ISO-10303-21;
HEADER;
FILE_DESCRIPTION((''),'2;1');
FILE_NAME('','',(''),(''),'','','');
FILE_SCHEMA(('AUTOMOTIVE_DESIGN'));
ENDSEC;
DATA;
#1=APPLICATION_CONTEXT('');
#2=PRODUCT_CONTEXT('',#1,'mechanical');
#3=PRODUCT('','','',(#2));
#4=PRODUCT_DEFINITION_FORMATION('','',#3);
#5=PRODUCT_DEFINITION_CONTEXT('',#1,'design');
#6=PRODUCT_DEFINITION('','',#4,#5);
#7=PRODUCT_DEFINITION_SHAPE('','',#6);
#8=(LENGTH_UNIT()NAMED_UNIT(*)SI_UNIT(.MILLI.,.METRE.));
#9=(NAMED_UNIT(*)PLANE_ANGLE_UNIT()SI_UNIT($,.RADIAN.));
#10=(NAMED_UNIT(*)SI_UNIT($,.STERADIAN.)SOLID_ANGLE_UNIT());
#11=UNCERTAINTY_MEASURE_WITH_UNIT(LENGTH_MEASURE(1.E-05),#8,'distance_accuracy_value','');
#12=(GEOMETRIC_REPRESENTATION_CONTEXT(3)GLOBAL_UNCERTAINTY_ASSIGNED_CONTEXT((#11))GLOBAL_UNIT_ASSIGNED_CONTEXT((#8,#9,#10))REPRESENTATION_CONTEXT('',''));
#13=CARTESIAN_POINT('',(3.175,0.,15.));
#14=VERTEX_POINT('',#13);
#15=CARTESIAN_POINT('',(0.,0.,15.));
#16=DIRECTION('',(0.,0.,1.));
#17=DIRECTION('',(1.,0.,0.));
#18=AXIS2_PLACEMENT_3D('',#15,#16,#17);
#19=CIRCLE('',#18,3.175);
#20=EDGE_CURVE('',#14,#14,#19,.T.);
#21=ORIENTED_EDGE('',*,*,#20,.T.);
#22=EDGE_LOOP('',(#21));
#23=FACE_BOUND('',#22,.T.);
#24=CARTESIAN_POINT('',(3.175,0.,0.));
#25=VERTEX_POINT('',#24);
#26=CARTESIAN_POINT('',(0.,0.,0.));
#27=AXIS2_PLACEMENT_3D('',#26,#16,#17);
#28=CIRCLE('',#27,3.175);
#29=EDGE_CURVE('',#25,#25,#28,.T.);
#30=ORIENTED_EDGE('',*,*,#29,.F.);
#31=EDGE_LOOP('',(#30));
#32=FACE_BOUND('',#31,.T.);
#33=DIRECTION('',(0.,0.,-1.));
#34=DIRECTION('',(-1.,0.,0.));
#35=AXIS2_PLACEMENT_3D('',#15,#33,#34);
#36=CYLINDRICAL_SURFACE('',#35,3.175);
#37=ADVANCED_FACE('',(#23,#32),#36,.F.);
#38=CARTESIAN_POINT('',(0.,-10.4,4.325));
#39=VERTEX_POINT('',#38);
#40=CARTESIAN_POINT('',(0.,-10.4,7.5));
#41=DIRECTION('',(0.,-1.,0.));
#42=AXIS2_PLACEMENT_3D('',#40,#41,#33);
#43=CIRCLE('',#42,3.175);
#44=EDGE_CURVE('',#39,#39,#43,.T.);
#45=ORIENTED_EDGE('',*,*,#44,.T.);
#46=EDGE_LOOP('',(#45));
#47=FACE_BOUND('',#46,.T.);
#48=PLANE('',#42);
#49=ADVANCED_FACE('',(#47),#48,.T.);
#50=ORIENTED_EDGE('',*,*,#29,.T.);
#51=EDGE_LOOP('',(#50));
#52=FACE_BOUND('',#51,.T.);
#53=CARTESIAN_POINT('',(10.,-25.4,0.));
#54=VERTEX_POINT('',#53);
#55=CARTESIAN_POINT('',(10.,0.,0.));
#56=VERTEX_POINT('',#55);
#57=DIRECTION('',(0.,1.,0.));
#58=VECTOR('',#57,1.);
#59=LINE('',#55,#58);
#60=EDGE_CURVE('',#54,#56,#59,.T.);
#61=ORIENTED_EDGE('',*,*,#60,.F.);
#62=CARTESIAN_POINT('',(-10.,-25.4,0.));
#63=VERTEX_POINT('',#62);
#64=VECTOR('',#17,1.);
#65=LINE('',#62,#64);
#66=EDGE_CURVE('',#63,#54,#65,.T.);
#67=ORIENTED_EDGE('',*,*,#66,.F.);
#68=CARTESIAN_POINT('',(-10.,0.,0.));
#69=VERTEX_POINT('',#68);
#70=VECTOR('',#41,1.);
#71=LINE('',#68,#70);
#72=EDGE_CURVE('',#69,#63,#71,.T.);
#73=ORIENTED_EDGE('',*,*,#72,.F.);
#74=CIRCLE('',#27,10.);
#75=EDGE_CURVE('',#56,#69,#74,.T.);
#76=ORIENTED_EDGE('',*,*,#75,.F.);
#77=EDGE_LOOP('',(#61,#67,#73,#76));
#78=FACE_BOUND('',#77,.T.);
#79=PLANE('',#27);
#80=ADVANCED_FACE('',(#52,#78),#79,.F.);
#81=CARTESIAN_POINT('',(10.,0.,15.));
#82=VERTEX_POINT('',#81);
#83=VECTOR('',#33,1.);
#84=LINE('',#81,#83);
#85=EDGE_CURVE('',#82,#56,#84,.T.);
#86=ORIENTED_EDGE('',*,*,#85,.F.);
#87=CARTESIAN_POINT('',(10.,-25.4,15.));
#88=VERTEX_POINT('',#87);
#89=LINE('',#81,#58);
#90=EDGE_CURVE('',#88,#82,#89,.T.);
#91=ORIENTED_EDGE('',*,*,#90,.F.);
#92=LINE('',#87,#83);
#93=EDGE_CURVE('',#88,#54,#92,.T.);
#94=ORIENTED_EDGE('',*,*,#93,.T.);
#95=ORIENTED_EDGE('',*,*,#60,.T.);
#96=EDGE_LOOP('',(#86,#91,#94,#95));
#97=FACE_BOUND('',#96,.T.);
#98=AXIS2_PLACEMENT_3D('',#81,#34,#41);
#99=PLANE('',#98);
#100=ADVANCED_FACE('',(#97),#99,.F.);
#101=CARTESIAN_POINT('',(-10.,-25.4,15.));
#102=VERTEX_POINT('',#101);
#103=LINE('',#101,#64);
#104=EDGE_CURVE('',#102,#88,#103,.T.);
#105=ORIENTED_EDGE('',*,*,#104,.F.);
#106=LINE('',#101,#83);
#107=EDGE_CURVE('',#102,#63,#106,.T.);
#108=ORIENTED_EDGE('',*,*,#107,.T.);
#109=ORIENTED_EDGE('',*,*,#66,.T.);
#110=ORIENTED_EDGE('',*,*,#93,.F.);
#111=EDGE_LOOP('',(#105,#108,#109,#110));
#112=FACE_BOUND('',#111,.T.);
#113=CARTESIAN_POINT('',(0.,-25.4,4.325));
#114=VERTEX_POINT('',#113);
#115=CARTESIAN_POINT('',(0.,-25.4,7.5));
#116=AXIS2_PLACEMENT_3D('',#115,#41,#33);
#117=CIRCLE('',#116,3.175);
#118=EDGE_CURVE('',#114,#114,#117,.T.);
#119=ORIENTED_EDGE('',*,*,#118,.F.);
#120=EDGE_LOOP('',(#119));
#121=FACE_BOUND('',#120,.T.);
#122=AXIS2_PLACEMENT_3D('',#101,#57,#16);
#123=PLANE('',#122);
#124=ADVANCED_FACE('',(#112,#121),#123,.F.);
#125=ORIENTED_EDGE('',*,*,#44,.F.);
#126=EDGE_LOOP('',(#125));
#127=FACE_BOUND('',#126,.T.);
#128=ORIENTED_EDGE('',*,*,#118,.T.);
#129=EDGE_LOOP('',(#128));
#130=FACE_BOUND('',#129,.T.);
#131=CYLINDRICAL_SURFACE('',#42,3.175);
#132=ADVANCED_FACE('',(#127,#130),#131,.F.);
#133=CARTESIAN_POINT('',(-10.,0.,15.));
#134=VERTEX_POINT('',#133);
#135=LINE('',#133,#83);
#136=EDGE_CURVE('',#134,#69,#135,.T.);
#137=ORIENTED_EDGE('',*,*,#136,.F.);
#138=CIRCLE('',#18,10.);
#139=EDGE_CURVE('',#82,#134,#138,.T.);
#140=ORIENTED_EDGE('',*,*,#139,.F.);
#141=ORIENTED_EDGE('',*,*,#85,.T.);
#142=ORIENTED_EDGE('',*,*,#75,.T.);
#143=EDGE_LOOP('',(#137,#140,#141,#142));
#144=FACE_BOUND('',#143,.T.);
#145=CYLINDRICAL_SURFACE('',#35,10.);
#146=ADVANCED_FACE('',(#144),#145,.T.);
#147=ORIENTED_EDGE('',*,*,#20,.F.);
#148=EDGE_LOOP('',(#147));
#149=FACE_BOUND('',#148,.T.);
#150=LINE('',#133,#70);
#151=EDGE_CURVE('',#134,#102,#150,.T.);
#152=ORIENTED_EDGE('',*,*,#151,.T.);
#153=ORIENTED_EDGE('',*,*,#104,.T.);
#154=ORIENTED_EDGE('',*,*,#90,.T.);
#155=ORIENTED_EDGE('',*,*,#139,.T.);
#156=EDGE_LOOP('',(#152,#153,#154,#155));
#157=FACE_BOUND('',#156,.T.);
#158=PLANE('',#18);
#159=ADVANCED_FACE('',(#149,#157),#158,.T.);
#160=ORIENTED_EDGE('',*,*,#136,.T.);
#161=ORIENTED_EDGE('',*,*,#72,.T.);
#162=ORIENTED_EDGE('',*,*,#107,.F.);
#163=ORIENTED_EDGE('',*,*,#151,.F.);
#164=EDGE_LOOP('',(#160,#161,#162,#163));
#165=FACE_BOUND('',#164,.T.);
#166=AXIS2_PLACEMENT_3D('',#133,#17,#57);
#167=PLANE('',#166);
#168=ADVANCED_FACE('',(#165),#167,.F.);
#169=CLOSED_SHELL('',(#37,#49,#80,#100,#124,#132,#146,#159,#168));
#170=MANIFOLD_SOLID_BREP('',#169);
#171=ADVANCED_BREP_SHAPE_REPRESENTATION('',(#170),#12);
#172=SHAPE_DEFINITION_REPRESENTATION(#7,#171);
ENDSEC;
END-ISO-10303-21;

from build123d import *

# Parameters (mm, degrees)
SKETCH1_R           = 3.175
BOSS_EXTRUDE1_DEPTH = 15
SKETCH2_R           = 3.175
CUT_EXTRUDE1_DEPTH  = 15


with BuildPart() as part:
    # Sketch1 → Boss-Extrude1 (new body)
    with BuildSketch(Plane.XY):
        with BuildLine():
            Line((-10, 0), (-10, -25.4))
            Line((-10, -25.4), (10, -25.4))
            Line((10, -25.4), (10, 0))
            ThreePointArc((10, 0), (0, 10), (-10, 0))
        make_face()
        Circle(SKETCH1_R, mode=Mode.SUBTRACT)
    extrude(amount=BOSS_EXTRUDE1_DEPTH)

    # Sketch2 → Cut-Extrude1 (cut)
    with BuildSketch(Plane.XZ.offset(25.4)):
        with Locations(Location((0, 7.5, 0), (0, 0, 270))):
            Circle(SKETCH2_R)
    extrude(amount=-CUT_EXTRUDE1_DEPTH, mode=Mode.SUBTRACT)


solid = part.part
